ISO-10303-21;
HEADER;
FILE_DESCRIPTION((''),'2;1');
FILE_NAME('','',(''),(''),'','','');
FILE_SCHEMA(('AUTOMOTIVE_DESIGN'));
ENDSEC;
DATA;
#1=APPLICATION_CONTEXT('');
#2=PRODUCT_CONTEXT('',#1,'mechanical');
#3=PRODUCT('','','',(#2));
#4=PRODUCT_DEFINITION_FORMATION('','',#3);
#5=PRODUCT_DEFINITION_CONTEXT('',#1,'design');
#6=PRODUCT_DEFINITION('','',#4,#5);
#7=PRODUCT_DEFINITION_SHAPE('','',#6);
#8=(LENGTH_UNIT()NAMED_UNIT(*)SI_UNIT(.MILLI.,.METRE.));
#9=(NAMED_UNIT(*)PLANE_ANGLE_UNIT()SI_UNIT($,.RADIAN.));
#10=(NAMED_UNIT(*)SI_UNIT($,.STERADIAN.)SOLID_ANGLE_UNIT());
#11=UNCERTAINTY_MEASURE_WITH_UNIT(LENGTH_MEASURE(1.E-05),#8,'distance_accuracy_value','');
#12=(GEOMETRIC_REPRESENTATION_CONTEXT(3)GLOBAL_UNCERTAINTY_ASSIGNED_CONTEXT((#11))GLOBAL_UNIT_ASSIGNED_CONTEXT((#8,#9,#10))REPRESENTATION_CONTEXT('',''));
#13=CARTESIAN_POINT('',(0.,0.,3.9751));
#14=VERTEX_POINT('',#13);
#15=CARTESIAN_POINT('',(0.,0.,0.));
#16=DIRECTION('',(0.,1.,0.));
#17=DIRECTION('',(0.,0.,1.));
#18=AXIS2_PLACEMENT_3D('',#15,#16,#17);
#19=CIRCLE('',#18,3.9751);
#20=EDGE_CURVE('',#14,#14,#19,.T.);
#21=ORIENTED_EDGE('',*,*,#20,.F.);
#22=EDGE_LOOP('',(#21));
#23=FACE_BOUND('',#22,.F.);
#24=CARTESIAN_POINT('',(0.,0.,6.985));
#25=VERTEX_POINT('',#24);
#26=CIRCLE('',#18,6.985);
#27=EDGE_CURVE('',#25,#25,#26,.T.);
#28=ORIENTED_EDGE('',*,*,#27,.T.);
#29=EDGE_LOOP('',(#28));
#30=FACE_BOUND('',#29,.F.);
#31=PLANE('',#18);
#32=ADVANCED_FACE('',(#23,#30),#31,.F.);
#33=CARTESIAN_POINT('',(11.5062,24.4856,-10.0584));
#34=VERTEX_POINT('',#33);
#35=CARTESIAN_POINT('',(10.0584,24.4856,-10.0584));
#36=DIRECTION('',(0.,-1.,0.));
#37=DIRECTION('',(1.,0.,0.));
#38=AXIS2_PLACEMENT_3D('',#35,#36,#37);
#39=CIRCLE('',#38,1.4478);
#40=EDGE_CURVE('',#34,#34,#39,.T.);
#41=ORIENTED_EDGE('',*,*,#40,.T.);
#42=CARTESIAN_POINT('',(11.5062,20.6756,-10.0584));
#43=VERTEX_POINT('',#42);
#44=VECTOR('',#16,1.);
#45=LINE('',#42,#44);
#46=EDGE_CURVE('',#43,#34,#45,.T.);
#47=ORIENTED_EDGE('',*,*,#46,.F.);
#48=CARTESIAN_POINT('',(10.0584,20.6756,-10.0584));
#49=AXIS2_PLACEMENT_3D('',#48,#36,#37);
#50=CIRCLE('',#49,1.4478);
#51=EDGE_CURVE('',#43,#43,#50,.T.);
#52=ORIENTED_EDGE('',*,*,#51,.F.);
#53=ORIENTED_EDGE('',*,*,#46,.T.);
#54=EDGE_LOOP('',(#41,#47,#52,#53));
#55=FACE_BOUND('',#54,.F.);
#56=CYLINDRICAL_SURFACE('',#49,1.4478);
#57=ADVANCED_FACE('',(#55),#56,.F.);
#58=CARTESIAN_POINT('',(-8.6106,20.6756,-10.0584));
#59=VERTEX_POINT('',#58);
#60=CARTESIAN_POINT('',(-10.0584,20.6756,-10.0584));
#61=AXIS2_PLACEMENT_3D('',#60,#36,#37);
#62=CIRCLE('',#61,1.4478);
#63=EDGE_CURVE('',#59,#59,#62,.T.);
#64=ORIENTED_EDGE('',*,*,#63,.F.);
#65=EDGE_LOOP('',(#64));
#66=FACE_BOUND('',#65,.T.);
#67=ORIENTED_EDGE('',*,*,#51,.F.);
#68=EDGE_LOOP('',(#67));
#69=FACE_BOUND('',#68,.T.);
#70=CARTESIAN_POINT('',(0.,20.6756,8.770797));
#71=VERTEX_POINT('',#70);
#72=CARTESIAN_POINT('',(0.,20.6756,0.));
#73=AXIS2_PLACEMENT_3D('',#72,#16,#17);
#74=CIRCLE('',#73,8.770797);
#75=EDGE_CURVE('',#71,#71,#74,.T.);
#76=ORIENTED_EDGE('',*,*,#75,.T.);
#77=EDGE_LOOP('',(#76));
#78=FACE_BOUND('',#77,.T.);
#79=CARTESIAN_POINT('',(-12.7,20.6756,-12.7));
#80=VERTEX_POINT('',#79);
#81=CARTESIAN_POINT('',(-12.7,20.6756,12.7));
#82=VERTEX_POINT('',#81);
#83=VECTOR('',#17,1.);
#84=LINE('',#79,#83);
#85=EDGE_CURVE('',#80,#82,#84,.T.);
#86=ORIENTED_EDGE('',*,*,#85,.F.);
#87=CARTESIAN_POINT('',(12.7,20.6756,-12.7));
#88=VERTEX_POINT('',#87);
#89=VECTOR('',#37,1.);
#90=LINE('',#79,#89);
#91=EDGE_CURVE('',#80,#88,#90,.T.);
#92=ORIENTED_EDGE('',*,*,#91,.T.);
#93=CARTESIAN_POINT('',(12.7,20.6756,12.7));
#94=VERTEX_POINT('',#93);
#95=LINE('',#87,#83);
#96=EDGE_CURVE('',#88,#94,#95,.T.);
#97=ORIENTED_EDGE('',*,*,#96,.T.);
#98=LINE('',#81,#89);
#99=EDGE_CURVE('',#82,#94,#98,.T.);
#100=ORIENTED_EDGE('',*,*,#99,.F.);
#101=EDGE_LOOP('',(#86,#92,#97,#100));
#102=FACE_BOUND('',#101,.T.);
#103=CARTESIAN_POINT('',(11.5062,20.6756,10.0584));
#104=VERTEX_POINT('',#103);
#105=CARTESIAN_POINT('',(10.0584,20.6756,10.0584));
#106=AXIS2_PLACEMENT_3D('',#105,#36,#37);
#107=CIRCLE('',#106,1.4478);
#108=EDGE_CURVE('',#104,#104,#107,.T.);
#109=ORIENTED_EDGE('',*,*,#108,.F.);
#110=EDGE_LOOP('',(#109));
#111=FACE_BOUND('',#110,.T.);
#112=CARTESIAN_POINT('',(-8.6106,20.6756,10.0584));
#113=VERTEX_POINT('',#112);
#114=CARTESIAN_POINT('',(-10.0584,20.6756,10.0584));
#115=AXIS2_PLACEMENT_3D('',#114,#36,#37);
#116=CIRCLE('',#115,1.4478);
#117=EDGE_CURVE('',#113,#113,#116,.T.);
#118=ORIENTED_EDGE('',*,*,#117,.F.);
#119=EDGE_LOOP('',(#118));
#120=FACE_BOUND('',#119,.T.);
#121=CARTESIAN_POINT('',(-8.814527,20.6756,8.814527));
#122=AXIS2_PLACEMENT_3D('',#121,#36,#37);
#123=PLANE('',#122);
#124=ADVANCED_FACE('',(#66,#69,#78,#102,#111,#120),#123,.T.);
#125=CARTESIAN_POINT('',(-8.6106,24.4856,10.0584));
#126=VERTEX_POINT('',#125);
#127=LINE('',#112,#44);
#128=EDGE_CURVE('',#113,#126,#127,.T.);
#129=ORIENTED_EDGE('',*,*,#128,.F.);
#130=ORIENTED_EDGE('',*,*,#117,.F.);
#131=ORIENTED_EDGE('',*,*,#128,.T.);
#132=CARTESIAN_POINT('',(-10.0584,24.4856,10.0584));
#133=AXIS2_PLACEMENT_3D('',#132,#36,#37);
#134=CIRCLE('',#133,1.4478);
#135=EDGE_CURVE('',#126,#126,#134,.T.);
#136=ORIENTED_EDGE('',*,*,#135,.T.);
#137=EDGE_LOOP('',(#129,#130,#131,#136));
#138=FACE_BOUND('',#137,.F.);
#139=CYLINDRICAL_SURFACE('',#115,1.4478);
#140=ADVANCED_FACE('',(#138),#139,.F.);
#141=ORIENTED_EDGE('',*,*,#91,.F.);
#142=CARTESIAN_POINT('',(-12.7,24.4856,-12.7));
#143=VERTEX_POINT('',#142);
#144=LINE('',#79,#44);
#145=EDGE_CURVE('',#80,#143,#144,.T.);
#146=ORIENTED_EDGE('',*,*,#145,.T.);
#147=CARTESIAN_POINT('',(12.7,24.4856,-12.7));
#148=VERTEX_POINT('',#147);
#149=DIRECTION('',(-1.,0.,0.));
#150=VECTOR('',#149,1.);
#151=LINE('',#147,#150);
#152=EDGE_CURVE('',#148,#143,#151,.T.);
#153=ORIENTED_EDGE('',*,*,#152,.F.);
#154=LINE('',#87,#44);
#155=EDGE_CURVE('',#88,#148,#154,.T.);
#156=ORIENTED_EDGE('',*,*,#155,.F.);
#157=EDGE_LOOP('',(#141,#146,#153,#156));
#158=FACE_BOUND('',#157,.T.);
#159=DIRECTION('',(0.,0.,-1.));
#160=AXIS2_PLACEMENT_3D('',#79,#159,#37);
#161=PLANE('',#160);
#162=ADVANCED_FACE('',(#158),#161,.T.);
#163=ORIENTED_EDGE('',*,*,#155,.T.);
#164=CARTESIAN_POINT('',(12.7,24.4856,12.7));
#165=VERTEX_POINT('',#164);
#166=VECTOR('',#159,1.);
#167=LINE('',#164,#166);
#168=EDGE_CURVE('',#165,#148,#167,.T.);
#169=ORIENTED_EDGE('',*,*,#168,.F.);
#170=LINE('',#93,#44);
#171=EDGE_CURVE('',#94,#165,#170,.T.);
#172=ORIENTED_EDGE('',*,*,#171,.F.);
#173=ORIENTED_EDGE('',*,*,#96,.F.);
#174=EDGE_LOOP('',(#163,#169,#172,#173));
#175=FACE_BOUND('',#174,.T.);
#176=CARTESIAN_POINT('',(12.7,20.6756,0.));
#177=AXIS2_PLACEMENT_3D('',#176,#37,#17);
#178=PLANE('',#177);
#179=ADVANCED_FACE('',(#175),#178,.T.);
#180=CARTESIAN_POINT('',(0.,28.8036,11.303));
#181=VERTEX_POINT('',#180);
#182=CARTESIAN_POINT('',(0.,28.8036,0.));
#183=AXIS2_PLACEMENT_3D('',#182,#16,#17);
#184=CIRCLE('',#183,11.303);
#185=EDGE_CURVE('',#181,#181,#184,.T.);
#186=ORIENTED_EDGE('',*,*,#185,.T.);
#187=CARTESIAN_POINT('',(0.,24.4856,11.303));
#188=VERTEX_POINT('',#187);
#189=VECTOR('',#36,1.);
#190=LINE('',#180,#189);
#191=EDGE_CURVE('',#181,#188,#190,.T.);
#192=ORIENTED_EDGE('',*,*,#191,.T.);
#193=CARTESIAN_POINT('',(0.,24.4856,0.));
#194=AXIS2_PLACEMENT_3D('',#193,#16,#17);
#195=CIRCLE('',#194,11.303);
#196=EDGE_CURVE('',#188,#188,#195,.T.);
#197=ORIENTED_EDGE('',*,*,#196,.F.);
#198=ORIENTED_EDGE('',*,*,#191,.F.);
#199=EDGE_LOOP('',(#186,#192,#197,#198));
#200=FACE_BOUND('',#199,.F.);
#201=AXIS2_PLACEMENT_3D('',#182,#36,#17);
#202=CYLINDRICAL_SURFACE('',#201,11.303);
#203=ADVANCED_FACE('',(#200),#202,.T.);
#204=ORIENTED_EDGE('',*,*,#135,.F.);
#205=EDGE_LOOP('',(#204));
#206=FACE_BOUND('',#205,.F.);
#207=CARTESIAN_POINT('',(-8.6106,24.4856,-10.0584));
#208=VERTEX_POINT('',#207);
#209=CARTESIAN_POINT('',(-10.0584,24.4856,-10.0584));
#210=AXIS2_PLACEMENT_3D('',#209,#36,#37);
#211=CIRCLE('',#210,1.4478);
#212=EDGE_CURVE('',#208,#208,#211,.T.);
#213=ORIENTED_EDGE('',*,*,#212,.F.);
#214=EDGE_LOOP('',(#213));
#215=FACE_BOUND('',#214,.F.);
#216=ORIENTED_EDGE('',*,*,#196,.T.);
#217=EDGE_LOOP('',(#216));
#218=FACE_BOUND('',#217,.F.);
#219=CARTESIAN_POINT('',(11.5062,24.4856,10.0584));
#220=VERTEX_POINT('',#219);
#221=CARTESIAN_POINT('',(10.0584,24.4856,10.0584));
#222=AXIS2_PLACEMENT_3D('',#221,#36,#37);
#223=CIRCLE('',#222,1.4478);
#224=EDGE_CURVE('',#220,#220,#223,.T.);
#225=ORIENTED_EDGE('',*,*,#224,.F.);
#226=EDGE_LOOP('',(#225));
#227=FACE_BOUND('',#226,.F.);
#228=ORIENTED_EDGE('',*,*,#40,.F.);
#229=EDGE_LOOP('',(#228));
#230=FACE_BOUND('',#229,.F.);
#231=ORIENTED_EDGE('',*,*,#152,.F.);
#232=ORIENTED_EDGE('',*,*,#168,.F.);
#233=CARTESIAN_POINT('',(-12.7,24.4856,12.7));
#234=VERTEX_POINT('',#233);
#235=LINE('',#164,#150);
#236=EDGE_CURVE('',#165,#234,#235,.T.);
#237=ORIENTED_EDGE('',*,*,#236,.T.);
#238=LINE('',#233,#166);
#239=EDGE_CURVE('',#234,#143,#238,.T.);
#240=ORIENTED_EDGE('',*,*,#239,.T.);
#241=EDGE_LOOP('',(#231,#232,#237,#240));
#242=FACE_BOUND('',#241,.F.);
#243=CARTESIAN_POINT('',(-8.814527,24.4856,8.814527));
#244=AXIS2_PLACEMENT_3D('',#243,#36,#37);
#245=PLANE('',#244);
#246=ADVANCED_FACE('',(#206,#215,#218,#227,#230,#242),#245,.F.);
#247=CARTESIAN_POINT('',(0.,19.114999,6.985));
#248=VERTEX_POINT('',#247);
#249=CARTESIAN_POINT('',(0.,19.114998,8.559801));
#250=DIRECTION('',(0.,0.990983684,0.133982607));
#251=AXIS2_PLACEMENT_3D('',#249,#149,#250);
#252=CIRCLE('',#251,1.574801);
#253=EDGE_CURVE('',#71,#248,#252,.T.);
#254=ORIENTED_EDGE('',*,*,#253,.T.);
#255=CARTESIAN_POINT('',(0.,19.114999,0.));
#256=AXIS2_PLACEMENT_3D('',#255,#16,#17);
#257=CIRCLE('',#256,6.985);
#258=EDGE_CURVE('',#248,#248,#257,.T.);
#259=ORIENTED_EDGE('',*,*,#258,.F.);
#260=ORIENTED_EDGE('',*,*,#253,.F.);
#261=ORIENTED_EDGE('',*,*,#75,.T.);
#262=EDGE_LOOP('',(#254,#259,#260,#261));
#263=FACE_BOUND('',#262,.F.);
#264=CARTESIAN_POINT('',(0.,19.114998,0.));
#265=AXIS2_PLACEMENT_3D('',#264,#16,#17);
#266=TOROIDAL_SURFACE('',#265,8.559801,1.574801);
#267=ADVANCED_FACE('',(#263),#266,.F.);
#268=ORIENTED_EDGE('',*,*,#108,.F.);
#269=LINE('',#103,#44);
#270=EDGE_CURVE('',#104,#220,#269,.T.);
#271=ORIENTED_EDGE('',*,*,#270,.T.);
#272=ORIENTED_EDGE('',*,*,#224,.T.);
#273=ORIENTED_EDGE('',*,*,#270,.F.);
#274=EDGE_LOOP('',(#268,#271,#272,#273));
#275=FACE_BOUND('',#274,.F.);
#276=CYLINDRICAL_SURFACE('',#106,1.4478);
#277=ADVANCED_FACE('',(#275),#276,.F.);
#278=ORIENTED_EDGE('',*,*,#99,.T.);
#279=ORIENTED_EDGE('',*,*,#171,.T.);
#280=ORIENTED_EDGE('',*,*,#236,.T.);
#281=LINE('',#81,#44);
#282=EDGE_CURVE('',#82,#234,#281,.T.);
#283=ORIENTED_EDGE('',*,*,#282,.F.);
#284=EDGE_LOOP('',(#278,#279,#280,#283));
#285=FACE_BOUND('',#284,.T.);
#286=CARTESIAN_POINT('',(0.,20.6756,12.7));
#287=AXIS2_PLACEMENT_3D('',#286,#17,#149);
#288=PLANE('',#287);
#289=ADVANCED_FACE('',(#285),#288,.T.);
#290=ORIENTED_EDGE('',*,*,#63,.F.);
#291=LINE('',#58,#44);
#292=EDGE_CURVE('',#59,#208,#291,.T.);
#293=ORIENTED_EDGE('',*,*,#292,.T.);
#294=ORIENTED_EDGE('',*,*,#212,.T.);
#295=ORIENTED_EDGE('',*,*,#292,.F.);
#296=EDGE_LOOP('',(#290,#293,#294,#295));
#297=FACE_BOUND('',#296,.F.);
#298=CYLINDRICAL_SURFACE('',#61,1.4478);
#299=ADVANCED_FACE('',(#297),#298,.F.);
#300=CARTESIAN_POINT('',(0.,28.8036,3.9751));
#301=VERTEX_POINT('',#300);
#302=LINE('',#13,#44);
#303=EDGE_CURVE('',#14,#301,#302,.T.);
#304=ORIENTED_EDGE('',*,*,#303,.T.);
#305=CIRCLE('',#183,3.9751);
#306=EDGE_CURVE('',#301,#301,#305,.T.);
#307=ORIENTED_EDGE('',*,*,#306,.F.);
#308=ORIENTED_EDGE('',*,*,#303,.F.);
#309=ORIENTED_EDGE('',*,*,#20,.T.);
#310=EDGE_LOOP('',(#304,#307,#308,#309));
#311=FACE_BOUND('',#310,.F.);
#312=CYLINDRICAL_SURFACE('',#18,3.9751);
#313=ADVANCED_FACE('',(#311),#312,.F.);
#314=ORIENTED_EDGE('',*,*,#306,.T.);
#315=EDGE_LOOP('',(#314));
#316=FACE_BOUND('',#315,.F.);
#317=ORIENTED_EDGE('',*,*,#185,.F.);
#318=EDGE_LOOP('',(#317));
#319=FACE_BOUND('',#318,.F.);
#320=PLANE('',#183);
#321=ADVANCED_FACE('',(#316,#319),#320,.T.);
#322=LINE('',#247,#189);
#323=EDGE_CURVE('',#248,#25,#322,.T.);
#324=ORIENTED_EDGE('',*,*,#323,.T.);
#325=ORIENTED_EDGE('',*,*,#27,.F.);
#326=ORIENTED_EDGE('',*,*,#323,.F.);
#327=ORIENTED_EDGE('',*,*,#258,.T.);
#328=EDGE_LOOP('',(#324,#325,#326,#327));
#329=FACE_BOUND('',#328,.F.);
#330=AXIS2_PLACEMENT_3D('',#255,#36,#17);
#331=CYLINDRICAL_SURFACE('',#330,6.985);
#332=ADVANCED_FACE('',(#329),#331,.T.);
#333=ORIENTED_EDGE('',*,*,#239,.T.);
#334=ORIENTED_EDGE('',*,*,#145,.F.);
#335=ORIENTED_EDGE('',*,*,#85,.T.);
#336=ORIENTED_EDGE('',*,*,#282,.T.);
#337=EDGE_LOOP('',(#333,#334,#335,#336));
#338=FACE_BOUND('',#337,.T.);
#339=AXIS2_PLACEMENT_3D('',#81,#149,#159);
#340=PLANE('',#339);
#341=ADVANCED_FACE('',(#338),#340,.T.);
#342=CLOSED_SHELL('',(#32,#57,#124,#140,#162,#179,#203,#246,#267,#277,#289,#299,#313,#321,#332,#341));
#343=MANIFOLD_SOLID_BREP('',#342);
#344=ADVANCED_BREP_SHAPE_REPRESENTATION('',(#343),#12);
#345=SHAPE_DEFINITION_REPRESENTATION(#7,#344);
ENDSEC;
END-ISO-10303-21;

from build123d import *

# Parameters (mm, degrees)
F3_DEPTH = 3.81
F4_R     = 1.4478
F5_DEPTH = 25.4


with BuildPart() as f1:
    # F0 (on Right) → F1 (revolve)
    with BuildSketch(Plane.YZ):
        with BuildLine():
            Line((19.114999, 6.985), (0, 6.985))
            Line((0, 6.985), (0, 3.9751))
            Line((0, 3.9751), (28.8036, 3.9751))
            Line((28.8036, 3.9751), (28.8036, 11.303))
            Line((28.8036, 11.303), (24.4856, 11.303))
            Line((24.4856, 11.303), (24.4856, 12.7))
            Line((24.4856, 12.7), (20.6756, 12.7))
            Line((20.6756, 12.7), (20.6756, 8.770797))
            ThreePointArc((20.6756, 8.770797), (20.300805, 7.523529), (19.114999, 6.985))
        make_face()
    revolve(axis=Axis((0, 1.728549, 0), (0, 1, 0)))

    # F2 (on face) → F3 (join, through all)
    with BuildSketch(Plane.XZ.offset(-20.6756)):
        with BuildLine():
            Line((-12.7, 12.7), (-12.7, 0))
            ThreePointArc((-12.7, 0), (-8.980256, 8.980256), (0, 12.7))
            Line((0, 12.7), (-12.7, 12.7))
        make_face()
        with BuildLine():
            ThreePointArc((0, 12.7), (8.980256, 8.980256), (12.7, 0))
            Line((12.7, 0), (12.7, 12.7))
            Line((12.7, 12.7), (0, 12.7))
        make_face()
        with BuildLine():
            Line((0, -12.7), (12.7, -12.7))
            Line((12.7, -12.7), (12.7, 0))
            ThreePointArc((12.7, 0), (8.980256, -8.980256), (0, -12.7))
        make_face()
        with BuildLine():
            Line((-12.7, -12.7), (0, -12.7))
            ThreePointArc((0, -12.7), (-8.980256, -8.980256), (-12.7, 0))
            Line((-12.7, 0), (-12.7, -12.7))
        make_face()
    extrude(amount=-F3_DEPTH)

    # F4 (on face) → F5 (cut)
    with BuildSketch(Plane.XZ.offset(-20.6756)):
        with Locations((10.0584, -10.0584)):
            Circle(F4_R)
        with Locations((10.0584, 10.0584)):
            Circle(F4_R)
        with Locations((-10.0584, -10.0584)):
            Circle(F4_R)
        with Locations((-10.0584, 10.0584)):
            Circle(F4_R)
    extrude(amount=-F5_DEPTH, mode=Mode.SUBTRACT)


solid = f1.part
